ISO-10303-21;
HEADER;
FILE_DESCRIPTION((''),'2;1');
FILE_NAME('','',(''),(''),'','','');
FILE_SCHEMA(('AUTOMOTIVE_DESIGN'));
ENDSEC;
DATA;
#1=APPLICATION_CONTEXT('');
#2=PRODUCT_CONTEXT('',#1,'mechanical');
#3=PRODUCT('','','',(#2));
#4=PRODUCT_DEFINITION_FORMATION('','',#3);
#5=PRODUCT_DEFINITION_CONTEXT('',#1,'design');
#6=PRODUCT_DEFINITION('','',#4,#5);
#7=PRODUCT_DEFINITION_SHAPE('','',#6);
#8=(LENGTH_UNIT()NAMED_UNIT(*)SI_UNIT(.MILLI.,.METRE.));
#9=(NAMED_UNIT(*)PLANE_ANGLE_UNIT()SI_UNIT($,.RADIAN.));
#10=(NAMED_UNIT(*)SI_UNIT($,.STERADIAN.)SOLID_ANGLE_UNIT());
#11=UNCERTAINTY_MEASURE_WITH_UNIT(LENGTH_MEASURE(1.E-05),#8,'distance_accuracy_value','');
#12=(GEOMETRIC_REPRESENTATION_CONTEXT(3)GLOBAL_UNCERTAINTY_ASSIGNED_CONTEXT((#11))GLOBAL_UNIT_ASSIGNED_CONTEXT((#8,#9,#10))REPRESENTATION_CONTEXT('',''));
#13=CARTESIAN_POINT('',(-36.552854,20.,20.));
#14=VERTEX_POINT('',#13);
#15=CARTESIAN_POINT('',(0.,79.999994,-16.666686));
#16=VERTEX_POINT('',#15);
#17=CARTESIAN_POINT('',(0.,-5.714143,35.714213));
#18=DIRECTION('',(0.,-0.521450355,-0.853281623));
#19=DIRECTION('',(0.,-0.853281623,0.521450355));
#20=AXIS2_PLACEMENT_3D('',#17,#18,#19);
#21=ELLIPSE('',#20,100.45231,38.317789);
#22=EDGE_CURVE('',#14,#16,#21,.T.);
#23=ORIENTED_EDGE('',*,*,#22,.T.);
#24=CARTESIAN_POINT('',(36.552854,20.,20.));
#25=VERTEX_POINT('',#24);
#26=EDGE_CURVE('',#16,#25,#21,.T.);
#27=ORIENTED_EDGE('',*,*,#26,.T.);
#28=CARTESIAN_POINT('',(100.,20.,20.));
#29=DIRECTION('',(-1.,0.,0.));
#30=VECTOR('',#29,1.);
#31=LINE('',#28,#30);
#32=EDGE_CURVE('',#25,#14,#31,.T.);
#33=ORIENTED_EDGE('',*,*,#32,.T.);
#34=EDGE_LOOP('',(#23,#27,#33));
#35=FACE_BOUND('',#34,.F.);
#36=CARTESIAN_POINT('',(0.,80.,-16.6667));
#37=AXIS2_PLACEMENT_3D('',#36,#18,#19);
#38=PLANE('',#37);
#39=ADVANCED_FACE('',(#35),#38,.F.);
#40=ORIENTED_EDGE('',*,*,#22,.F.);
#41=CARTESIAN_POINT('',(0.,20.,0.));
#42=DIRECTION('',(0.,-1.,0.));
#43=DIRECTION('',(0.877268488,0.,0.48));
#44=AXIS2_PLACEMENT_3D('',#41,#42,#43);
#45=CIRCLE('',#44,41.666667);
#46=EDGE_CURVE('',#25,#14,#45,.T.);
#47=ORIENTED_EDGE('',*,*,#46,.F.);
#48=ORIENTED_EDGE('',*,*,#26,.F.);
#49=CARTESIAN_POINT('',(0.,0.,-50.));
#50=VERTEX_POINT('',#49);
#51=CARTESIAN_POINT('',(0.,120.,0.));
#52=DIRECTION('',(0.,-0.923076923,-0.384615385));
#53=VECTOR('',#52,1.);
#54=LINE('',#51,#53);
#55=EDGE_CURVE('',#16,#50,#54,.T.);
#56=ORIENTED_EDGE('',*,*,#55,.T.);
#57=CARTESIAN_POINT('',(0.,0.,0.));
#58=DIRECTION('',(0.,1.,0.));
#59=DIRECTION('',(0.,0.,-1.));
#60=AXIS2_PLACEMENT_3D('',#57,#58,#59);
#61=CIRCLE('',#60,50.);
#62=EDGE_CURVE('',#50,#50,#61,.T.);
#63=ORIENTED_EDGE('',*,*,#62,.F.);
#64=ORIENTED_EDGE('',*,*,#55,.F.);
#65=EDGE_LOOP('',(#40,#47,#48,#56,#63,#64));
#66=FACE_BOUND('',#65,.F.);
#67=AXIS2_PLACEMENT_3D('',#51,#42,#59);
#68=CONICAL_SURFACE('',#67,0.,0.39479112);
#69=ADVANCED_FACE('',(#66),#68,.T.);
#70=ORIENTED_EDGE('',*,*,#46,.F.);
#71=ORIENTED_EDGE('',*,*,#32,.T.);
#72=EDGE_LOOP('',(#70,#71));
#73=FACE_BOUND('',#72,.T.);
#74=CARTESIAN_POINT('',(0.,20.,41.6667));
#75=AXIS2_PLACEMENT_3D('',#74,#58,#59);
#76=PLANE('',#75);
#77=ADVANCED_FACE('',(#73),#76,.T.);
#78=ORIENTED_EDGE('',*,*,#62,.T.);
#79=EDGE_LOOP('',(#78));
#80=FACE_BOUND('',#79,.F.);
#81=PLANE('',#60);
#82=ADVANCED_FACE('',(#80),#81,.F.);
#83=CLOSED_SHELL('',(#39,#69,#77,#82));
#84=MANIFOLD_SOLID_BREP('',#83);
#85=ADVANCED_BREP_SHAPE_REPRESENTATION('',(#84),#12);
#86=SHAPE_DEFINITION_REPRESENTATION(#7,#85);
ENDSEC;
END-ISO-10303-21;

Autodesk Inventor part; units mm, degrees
ref_plane "YZ Plane" through (0, 0, 0) normal (1, 0, 0) x (0, 1, 0)
ref_plane "XZ Plane" through (0, 0, 0) normal (0, 1, 0) x (-1, 0, 0)
ref_plane "XY Plane" through (0, 0, 0) normal (0, 0, 1) x (1, 0, 0)
sketch "Эскиз1" plane through (0, 0, 0) normal (1, 0, 0) x (0, 1, 0)
  line L0 (0, 0) -> (120, 0)
  line L1 (120, 0) -> (0, -50)
  line L2 (0, -50) -> (0, 0)
  dimension "d0" = 50
  dimension "d1" = 120
revolve "Вращение1" add sketch "Эскиз1" angle 360 about axis through (0, 0, 0) along (0, 1, 0)
sketch "Эскиз2" plane through (0, 0, 0) normal (1, 0, 0) x (0, 1, 0)
  line L0 (0, -50) -> (120, 0) projected
  line L1 (0, 50) -> (120, 0) projected
  line L2 (20, 41.6667) -> (20, 20)
  line L3 (0, -50) -> (0, 50) projected
  line L4 (80, -16.6667) -> (20, 20)
  point P0 (0, 0)
extrude "Выдавливание1" cut sketch "Эскиз2" along normal mid plane 200 contours L4 L2 L1 L0
properties part number "Полина"
